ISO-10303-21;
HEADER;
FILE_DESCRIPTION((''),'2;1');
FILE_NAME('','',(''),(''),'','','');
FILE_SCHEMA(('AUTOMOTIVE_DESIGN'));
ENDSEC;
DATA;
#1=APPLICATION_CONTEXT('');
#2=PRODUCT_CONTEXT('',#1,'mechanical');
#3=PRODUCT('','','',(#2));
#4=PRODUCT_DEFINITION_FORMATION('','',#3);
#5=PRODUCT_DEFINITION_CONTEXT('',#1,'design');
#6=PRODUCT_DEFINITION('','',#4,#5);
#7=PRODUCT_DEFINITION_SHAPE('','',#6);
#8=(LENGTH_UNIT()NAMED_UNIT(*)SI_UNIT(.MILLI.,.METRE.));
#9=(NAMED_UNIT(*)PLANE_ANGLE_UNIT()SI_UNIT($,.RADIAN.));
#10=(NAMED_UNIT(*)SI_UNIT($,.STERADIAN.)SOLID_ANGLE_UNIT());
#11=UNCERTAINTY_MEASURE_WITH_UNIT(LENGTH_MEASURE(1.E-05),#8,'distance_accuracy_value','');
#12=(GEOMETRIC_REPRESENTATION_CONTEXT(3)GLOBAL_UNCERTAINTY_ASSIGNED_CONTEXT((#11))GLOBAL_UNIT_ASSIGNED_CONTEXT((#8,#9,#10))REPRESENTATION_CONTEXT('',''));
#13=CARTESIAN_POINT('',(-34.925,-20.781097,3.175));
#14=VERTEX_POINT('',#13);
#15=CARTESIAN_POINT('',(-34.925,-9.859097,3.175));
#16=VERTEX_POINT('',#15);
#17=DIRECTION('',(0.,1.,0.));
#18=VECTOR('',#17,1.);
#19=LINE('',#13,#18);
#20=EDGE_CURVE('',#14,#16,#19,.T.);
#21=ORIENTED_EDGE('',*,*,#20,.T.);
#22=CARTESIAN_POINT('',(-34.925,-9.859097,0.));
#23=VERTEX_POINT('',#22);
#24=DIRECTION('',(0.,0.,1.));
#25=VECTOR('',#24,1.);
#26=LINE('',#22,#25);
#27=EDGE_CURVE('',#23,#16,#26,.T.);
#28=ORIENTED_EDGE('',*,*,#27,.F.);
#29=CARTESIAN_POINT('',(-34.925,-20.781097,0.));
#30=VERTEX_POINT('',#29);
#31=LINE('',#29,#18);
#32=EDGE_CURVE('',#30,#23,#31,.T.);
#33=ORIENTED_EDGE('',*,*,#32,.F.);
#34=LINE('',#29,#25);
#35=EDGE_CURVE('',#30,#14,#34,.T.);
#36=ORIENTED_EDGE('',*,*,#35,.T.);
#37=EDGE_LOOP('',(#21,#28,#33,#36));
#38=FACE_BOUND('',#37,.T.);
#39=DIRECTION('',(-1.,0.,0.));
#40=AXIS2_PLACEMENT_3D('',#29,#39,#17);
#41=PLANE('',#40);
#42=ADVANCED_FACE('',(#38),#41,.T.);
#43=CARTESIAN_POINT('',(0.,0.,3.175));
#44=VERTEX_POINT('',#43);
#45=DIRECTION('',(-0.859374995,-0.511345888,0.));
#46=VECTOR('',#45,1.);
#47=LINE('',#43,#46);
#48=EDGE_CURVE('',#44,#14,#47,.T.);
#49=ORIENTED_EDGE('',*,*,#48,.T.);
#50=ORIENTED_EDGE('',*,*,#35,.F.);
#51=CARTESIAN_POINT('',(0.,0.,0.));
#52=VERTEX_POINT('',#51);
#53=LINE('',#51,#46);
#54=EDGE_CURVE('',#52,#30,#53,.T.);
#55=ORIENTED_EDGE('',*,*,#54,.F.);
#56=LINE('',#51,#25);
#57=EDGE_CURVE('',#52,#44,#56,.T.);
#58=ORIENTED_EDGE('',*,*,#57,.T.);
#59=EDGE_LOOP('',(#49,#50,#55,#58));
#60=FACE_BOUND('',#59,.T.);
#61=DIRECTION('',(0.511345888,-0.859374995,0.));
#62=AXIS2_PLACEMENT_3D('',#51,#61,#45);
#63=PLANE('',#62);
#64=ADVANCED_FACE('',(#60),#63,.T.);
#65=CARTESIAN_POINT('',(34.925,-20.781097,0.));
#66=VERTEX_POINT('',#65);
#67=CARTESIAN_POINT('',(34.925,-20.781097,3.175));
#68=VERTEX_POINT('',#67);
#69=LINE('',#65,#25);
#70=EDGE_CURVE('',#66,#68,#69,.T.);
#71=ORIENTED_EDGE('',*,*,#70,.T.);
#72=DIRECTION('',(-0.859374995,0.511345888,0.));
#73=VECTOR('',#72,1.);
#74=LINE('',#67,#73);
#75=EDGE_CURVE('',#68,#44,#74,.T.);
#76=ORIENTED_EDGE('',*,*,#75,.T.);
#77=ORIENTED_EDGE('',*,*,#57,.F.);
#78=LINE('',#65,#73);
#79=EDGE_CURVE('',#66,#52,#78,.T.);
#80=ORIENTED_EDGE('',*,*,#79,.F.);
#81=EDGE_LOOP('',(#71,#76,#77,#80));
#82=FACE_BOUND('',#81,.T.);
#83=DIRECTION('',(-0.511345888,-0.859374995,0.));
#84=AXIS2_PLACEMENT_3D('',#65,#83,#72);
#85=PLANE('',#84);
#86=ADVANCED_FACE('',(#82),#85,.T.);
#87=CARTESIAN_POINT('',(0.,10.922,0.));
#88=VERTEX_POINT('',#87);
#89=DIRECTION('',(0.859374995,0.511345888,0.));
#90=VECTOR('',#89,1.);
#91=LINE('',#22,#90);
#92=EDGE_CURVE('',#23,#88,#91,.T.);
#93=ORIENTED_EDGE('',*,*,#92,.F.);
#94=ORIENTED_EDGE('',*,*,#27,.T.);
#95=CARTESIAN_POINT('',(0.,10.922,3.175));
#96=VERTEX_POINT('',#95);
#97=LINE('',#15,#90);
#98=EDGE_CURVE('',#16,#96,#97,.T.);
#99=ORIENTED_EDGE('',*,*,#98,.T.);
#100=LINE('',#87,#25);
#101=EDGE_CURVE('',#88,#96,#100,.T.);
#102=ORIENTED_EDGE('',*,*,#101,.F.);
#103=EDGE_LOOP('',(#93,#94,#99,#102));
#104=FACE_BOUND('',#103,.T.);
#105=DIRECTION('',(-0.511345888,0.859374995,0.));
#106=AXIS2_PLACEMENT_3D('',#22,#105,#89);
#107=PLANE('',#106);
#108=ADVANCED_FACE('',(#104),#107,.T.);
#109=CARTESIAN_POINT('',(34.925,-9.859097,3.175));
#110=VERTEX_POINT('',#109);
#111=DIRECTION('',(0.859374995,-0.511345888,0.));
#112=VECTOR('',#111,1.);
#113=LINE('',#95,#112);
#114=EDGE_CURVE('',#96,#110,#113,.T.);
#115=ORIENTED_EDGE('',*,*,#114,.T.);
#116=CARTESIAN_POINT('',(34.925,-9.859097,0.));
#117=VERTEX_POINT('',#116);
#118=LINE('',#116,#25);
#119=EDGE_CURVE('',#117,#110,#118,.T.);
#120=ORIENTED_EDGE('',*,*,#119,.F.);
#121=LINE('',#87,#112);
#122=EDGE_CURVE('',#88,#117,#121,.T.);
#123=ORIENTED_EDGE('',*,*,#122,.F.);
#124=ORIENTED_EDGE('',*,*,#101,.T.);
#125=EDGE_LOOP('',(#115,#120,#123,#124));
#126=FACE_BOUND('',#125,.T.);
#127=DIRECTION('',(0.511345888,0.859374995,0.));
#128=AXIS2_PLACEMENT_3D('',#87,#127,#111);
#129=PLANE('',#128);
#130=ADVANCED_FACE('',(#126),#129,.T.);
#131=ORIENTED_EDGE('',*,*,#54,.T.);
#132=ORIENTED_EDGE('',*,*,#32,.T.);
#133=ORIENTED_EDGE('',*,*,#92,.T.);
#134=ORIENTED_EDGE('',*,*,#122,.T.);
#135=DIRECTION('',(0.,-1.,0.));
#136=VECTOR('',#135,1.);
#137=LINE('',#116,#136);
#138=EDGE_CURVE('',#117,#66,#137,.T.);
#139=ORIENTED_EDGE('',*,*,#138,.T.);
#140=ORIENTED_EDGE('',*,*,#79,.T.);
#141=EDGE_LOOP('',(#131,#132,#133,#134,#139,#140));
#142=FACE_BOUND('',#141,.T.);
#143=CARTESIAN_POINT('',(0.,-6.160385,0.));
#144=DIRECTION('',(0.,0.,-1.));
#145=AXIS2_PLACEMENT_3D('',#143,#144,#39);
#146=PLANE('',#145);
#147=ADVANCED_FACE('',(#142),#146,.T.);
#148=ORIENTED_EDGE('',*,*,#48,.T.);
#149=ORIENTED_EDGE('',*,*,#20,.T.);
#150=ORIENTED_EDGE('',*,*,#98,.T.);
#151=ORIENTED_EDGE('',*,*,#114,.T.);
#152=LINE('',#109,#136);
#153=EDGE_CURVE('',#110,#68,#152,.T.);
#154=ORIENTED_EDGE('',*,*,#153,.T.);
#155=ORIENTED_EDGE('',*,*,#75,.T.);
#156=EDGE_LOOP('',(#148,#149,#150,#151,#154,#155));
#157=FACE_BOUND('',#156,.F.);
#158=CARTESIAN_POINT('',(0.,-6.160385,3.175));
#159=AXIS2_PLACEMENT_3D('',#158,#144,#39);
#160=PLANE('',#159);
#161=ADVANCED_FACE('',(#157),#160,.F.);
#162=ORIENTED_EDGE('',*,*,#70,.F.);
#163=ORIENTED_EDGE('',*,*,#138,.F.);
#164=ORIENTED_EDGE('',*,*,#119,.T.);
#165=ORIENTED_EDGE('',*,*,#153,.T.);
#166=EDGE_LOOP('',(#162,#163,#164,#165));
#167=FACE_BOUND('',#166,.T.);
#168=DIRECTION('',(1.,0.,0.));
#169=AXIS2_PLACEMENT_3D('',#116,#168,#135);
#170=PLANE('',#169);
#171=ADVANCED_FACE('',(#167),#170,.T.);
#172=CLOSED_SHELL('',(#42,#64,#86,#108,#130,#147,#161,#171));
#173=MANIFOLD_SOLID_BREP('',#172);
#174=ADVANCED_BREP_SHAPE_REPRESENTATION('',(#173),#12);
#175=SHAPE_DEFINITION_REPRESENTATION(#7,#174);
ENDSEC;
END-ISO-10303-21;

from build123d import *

# Parameters (mm, degrees)
PAD_DEPTH = 3.175


with BuildPart() as part:
    # Sketch → Pad (new body)
    with BuildSketch(Plane.XY):
        Polygon((0, 0), (-34.925, -20.781097), (-34.925, -9.859097), (0, 10.922), (34.925, -9.859097), (34.925, -20.781097), align=None)
    extrude(amount=PAD_DEPTH)


solid = part.part
